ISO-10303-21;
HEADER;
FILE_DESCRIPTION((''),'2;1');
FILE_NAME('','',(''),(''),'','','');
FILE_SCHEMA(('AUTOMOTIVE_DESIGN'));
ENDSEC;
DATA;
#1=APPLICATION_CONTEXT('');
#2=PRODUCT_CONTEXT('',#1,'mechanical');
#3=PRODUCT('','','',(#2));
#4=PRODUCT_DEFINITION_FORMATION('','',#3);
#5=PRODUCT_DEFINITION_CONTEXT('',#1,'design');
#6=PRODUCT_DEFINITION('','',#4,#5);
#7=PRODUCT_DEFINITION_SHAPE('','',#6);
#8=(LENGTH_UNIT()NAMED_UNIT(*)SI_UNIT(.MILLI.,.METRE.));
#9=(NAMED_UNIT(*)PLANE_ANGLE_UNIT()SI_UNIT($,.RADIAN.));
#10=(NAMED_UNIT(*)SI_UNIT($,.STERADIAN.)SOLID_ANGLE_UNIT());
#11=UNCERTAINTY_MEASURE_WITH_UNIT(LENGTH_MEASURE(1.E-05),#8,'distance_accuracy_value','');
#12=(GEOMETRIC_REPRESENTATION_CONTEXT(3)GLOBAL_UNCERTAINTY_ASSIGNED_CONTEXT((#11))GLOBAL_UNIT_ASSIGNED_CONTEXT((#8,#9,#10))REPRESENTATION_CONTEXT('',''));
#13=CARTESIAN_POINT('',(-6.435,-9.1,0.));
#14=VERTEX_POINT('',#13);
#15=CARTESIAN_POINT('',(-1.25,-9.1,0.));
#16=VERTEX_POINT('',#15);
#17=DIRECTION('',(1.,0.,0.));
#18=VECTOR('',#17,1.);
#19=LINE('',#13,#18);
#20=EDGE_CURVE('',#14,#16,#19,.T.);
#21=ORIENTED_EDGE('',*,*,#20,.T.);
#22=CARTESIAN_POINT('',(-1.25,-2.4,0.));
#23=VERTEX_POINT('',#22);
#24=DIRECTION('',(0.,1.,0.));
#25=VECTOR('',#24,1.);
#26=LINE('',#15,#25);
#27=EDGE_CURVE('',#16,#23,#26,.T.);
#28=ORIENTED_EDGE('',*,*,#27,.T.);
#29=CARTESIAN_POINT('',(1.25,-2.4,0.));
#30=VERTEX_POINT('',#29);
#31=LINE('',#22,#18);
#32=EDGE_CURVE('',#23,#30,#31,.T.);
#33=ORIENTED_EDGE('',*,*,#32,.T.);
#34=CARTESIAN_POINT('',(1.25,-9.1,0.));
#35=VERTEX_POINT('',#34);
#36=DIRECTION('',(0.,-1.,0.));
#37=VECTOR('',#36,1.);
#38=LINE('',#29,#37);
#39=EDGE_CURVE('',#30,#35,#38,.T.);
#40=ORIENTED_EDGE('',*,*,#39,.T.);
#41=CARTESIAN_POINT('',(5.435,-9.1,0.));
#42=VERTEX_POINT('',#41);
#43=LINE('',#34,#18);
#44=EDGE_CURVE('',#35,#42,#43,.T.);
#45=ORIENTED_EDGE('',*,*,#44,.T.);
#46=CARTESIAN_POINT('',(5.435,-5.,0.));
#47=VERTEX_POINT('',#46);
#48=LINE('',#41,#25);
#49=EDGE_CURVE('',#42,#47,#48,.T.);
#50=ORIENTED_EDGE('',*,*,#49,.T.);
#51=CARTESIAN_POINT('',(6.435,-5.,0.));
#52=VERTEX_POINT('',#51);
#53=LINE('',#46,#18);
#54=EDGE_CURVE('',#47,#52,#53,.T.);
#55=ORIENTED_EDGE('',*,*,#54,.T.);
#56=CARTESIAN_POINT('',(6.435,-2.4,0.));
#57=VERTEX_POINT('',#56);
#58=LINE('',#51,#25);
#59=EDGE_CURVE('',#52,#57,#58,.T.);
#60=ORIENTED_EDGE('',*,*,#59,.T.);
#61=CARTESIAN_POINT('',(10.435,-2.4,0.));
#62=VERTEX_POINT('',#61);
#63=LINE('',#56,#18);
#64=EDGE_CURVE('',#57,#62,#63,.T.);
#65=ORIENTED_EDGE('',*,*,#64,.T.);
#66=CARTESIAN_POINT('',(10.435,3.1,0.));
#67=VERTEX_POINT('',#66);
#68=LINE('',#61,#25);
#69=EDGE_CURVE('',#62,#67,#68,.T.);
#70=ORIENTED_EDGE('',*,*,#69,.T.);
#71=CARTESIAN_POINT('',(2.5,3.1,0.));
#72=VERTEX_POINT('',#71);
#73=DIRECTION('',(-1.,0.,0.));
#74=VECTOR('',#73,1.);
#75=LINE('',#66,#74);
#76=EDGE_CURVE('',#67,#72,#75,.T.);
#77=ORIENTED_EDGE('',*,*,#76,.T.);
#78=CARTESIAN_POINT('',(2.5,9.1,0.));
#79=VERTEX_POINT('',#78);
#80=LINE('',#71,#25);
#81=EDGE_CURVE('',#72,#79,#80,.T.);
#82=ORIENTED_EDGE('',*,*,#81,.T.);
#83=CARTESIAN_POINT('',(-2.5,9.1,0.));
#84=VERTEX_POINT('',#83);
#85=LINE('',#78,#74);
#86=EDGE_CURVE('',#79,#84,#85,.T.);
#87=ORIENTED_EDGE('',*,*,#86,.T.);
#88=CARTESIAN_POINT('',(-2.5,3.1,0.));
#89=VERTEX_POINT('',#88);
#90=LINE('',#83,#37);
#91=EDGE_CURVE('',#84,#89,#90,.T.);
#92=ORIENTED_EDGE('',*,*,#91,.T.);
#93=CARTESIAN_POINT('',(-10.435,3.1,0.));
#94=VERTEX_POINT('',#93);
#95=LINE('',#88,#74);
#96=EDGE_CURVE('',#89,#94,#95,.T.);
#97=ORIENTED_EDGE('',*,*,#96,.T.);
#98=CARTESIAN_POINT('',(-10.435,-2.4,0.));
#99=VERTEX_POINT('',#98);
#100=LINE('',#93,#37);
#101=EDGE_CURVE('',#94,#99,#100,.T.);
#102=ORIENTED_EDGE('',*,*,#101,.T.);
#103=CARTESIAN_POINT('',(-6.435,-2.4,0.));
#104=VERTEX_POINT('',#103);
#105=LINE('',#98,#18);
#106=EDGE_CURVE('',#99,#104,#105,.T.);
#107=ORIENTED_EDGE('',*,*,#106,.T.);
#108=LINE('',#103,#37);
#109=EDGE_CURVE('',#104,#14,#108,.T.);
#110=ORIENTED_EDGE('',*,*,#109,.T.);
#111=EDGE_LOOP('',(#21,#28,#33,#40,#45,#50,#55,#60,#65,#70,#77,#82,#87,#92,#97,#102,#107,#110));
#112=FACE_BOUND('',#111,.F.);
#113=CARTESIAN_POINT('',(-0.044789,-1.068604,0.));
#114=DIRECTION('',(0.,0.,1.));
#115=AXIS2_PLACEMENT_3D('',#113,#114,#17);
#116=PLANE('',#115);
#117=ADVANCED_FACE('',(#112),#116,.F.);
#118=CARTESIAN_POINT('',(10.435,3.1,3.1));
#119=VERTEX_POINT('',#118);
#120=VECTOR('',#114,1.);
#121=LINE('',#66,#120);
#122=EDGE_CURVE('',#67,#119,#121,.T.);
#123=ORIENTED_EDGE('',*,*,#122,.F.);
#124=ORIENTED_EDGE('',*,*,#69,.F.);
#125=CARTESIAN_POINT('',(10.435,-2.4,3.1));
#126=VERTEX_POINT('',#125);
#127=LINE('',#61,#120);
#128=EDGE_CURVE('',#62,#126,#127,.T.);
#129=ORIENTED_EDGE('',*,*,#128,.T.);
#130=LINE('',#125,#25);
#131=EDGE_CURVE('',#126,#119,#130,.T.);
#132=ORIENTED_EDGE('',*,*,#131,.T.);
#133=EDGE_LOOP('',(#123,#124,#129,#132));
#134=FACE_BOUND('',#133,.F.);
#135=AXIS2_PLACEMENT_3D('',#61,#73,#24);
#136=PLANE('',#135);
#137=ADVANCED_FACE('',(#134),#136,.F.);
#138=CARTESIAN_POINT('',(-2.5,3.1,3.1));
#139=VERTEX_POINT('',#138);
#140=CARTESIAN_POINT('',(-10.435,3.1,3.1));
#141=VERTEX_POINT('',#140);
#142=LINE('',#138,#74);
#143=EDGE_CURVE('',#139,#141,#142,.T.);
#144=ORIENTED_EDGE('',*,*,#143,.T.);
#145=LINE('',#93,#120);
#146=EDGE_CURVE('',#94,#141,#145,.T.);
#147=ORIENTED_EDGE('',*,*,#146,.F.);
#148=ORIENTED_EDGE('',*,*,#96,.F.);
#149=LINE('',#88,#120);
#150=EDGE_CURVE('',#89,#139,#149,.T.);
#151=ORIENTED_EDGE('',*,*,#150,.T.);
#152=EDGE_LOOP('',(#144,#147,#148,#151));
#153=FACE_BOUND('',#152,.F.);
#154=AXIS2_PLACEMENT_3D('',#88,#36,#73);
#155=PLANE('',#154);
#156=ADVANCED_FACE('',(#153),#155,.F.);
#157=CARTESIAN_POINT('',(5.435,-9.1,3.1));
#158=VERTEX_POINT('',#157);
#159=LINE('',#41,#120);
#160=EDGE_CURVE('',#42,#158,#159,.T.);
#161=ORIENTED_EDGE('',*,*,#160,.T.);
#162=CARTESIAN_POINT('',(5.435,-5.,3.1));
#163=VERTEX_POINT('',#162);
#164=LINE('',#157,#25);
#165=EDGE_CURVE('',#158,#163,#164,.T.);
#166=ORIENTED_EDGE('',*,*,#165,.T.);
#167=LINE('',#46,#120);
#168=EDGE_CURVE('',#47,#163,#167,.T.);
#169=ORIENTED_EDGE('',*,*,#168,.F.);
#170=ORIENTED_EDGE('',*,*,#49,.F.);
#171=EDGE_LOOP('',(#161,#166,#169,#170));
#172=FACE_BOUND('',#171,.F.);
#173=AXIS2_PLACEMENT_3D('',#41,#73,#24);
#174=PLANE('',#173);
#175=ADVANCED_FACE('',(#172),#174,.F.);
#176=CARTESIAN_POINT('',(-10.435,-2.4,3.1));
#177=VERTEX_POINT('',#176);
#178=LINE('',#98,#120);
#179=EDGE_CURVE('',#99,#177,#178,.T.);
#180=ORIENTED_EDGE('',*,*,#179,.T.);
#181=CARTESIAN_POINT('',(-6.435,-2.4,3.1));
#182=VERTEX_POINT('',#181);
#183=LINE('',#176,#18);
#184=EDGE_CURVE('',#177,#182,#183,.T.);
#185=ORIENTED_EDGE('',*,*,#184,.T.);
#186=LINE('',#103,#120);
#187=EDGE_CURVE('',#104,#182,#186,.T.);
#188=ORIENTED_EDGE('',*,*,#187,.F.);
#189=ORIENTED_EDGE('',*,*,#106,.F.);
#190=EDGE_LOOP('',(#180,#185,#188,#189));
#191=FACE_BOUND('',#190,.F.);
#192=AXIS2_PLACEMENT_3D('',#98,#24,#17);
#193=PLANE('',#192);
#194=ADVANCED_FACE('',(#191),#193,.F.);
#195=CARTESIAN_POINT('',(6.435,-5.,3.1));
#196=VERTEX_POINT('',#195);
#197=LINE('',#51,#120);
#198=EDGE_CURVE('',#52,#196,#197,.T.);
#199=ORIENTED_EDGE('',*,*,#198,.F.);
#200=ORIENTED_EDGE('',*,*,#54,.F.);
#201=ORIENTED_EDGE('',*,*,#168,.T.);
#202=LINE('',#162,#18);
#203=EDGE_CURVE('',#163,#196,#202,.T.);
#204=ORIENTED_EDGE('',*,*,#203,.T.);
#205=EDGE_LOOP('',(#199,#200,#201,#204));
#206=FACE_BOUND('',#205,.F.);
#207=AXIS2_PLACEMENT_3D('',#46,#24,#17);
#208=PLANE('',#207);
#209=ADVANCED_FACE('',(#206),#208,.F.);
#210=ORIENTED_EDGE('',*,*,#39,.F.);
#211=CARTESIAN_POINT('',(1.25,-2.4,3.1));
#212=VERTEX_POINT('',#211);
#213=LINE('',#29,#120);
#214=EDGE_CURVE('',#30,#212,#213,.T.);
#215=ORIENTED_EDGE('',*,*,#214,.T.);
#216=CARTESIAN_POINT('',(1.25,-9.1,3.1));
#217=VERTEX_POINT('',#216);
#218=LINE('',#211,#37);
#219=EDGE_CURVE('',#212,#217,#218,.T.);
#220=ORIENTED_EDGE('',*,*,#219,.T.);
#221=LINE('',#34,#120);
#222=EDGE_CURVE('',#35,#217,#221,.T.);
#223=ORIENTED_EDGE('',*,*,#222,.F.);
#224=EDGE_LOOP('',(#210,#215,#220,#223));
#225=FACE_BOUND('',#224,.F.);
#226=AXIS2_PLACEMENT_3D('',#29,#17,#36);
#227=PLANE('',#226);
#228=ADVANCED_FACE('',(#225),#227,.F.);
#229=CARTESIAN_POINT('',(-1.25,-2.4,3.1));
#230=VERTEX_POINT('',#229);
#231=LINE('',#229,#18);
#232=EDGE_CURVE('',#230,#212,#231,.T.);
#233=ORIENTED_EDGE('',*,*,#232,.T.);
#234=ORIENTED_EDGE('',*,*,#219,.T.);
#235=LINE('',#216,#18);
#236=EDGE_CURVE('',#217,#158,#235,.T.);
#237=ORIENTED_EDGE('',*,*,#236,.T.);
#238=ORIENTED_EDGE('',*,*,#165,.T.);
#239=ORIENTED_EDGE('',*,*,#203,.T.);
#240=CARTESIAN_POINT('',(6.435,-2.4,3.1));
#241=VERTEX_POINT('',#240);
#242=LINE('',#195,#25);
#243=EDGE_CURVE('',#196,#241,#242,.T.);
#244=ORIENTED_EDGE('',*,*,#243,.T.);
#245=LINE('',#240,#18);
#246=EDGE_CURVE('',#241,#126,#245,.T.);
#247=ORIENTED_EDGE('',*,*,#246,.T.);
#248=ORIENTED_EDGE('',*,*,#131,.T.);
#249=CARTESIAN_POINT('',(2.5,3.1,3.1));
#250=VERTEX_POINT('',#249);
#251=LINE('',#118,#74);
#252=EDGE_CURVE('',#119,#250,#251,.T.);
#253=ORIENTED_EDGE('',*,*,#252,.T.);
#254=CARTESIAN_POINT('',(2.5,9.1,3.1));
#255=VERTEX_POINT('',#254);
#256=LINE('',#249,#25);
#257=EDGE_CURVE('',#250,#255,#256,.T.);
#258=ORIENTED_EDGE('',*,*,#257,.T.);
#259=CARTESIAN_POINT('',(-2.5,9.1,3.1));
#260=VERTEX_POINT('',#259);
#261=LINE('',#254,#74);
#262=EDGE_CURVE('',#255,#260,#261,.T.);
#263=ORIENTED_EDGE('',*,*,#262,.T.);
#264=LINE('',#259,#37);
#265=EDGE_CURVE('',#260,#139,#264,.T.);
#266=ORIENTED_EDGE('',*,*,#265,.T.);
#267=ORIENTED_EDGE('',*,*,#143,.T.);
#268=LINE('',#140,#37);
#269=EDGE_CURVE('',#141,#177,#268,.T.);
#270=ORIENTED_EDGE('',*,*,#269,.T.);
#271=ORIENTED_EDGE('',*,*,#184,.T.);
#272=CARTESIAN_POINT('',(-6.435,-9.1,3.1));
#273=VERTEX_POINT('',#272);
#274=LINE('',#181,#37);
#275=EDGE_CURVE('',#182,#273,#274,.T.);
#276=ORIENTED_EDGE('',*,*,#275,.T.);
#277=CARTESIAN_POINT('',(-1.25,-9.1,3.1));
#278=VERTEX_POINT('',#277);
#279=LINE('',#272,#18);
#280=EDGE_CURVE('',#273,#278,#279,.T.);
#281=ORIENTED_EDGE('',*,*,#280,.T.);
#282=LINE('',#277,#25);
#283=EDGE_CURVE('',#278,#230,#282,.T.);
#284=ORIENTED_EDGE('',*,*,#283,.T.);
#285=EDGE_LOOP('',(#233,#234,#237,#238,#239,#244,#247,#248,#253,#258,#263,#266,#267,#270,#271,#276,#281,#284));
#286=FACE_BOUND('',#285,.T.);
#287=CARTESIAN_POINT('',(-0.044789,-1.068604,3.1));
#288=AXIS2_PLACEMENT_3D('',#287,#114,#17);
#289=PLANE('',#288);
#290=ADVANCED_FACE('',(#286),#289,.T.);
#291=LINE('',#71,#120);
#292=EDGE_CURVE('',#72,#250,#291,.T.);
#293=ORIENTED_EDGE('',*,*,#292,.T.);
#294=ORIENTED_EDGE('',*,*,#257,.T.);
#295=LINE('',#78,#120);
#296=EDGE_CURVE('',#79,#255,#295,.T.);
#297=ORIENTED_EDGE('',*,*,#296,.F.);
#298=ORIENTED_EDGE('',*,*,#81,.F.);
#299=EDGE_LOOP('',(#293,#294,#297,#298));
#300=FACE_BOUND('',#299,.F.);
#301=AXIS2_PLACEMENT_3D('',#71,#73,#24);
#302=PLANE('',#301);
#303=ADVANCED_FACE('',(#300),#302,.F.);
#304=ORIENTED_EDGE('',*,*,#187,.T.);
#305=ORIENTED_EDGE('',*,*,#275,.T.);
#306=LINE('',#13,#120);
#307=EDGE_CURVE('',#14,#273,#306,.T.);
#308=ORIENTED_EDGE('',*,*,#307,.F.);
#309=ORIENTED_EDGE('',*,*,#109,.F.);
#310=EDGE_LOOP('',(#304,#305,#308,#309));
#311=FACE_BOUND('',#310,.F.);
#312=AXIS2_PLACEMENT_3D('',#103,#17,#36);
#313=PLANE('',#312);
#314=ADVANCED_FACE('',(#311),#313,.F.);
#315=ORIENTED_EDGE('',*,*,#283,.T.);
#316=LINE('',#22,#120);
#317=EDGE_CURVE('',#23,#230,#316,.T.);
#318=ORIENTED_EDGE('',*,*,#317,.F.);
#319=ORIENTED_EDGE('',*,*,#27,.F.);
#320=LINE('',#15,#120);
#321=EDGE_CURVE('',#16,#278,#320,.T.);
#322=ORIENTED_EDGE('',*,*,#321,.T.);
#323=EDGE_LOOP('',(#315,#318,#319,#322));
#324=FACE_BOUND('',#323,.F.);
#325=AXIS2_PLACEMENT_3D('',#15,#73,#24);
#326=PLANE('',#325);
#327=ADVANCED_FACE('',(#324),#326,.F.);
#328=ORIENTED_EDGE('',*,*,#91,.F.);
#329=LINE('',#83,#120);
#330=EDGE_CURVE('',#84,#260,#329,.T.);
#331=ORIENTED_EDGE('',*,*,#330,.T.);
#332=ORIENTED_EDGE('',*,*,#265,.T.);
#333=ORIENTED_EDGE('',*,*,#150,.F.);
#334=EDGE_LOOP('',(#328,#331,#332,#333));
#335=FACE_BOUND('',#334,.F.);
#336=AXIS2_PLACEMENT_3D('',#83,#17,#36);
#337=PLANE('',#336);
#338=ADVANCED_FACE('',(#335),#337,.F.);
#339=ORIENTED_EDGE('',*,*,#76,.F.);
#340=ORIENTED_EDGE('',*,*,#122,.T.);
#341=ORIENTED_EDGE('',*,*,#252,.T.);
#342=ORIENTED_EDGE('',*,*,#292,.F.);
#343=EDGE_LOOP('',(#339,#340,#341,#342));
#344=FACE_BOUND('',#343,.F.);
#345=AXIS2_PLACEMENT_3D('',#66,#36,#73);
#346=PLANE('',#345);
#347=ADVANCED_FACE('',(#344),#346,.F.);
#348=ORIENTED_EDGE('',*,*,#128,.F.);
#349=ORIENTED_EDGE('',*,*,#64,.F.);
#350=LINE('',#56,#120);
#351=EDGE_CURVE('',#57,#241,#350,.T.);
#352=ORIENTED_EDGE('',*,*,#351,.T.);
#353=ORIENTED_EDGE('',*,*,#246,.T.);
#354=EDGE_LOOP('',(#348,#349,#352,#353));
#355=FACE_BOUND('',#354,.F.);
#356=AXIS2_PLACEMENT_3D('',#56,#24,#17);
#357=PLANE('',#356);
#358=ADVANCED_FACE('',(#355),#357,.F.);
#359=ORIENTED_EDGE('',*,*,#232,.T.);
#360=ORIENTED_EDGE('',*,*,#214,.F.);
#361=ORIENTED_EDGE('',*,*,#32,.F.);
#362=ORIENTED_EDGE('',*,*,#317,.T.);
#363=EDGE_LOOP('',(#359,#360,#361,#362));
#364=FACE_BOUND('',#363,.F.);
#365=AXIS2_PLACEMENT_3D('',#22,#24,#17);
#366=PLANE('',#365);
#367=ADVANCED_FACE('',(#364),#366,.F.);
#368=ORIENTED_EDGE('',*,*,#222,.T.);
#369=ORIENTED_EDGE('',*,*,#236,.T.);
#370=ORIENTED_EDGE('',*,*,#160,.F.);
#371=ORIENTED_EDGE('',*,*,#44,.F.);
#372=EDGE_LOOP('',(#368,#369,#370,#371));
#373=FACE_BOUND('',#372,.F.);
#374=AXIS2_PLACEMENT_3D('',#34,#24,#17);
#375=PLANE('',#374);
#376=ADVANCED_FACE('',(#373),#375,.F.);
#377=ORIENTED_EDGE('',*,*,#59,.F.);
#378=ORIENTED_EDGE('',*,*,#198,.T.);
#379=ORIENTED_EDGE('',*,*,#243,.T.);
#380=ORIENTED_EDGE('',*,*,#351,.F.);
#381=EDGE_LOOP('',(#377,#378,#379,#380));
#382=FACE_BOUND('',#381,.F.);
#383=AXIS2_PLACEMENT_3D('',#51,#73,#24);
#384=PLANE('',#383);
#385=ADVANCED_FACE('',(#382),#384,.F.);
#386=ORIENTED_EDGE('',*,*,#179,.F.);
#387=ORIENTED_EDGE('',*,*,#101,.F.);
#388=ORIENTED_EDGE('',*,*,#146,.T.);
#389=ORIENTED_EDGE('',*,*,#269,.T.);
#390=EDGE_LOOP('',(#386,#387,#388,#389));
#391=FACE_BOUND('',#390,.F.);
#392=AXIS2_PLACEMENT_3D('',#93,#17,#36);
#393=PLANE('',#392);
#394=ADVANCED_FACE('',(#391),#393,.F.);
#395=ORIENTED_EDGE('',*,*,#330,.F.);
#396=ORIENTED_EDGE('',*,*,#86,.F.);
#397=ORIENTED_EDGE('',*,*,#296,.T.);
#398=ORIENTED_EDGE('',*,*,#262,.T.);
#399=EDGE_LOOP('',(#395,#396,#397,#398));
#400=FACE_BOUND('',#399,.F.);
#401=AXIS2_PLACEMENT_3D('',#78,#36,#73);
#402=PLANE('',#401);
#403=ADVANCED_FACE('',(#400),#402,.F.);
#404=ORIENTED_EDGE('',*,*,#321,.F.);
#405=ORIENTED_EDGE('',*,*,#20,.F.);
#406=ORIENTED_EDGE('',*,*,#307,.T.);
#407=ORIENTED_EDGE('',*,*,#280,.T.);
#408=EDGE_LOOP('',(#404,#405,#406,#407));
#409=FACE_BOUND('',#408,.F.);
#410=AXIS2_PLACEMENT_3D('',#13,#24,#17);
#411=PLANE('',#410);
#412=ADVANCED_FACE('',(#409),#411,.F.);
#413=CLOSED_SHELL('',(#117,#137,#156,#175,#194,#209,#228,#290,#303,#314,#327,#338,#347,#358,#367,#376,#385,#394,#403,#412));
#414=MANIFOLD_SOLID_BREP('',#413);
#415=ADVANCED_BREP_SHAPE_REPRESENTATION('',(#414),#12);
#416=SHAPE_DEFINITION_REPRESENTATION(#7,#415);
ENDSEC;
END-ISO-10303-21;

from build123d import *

# Parameters (mm, degrees)
F1_DEPTH = 3.1


with BuildPart() as f1:
    # F0 (on Top) → F1 (new body)
    with BuildSketch(Plane.XY):
        Polygon((2.5, 9.1), (-2.5, 9.1), (-2.5, 3.1), (-10.435, 3.1), (-10.435, -2.4), (-6.435, -2.4), (-6.435, -5), (-6.435, -9.1), (-4.435, -9.1), (-1.25, -9.1), (-1.25, -2.4), (1.25, -2.4), (1.25, -9.1), (4.435, -9.1), (5.435, -9.1), (5.435, -5), (6.435, -5), (6.435, -2.4), (10.435, -2.4), (10.435, 3.1), (2.5, 3.1), align=None)
    extrude(amount=F1_DEPTH)


solid = f1.part
